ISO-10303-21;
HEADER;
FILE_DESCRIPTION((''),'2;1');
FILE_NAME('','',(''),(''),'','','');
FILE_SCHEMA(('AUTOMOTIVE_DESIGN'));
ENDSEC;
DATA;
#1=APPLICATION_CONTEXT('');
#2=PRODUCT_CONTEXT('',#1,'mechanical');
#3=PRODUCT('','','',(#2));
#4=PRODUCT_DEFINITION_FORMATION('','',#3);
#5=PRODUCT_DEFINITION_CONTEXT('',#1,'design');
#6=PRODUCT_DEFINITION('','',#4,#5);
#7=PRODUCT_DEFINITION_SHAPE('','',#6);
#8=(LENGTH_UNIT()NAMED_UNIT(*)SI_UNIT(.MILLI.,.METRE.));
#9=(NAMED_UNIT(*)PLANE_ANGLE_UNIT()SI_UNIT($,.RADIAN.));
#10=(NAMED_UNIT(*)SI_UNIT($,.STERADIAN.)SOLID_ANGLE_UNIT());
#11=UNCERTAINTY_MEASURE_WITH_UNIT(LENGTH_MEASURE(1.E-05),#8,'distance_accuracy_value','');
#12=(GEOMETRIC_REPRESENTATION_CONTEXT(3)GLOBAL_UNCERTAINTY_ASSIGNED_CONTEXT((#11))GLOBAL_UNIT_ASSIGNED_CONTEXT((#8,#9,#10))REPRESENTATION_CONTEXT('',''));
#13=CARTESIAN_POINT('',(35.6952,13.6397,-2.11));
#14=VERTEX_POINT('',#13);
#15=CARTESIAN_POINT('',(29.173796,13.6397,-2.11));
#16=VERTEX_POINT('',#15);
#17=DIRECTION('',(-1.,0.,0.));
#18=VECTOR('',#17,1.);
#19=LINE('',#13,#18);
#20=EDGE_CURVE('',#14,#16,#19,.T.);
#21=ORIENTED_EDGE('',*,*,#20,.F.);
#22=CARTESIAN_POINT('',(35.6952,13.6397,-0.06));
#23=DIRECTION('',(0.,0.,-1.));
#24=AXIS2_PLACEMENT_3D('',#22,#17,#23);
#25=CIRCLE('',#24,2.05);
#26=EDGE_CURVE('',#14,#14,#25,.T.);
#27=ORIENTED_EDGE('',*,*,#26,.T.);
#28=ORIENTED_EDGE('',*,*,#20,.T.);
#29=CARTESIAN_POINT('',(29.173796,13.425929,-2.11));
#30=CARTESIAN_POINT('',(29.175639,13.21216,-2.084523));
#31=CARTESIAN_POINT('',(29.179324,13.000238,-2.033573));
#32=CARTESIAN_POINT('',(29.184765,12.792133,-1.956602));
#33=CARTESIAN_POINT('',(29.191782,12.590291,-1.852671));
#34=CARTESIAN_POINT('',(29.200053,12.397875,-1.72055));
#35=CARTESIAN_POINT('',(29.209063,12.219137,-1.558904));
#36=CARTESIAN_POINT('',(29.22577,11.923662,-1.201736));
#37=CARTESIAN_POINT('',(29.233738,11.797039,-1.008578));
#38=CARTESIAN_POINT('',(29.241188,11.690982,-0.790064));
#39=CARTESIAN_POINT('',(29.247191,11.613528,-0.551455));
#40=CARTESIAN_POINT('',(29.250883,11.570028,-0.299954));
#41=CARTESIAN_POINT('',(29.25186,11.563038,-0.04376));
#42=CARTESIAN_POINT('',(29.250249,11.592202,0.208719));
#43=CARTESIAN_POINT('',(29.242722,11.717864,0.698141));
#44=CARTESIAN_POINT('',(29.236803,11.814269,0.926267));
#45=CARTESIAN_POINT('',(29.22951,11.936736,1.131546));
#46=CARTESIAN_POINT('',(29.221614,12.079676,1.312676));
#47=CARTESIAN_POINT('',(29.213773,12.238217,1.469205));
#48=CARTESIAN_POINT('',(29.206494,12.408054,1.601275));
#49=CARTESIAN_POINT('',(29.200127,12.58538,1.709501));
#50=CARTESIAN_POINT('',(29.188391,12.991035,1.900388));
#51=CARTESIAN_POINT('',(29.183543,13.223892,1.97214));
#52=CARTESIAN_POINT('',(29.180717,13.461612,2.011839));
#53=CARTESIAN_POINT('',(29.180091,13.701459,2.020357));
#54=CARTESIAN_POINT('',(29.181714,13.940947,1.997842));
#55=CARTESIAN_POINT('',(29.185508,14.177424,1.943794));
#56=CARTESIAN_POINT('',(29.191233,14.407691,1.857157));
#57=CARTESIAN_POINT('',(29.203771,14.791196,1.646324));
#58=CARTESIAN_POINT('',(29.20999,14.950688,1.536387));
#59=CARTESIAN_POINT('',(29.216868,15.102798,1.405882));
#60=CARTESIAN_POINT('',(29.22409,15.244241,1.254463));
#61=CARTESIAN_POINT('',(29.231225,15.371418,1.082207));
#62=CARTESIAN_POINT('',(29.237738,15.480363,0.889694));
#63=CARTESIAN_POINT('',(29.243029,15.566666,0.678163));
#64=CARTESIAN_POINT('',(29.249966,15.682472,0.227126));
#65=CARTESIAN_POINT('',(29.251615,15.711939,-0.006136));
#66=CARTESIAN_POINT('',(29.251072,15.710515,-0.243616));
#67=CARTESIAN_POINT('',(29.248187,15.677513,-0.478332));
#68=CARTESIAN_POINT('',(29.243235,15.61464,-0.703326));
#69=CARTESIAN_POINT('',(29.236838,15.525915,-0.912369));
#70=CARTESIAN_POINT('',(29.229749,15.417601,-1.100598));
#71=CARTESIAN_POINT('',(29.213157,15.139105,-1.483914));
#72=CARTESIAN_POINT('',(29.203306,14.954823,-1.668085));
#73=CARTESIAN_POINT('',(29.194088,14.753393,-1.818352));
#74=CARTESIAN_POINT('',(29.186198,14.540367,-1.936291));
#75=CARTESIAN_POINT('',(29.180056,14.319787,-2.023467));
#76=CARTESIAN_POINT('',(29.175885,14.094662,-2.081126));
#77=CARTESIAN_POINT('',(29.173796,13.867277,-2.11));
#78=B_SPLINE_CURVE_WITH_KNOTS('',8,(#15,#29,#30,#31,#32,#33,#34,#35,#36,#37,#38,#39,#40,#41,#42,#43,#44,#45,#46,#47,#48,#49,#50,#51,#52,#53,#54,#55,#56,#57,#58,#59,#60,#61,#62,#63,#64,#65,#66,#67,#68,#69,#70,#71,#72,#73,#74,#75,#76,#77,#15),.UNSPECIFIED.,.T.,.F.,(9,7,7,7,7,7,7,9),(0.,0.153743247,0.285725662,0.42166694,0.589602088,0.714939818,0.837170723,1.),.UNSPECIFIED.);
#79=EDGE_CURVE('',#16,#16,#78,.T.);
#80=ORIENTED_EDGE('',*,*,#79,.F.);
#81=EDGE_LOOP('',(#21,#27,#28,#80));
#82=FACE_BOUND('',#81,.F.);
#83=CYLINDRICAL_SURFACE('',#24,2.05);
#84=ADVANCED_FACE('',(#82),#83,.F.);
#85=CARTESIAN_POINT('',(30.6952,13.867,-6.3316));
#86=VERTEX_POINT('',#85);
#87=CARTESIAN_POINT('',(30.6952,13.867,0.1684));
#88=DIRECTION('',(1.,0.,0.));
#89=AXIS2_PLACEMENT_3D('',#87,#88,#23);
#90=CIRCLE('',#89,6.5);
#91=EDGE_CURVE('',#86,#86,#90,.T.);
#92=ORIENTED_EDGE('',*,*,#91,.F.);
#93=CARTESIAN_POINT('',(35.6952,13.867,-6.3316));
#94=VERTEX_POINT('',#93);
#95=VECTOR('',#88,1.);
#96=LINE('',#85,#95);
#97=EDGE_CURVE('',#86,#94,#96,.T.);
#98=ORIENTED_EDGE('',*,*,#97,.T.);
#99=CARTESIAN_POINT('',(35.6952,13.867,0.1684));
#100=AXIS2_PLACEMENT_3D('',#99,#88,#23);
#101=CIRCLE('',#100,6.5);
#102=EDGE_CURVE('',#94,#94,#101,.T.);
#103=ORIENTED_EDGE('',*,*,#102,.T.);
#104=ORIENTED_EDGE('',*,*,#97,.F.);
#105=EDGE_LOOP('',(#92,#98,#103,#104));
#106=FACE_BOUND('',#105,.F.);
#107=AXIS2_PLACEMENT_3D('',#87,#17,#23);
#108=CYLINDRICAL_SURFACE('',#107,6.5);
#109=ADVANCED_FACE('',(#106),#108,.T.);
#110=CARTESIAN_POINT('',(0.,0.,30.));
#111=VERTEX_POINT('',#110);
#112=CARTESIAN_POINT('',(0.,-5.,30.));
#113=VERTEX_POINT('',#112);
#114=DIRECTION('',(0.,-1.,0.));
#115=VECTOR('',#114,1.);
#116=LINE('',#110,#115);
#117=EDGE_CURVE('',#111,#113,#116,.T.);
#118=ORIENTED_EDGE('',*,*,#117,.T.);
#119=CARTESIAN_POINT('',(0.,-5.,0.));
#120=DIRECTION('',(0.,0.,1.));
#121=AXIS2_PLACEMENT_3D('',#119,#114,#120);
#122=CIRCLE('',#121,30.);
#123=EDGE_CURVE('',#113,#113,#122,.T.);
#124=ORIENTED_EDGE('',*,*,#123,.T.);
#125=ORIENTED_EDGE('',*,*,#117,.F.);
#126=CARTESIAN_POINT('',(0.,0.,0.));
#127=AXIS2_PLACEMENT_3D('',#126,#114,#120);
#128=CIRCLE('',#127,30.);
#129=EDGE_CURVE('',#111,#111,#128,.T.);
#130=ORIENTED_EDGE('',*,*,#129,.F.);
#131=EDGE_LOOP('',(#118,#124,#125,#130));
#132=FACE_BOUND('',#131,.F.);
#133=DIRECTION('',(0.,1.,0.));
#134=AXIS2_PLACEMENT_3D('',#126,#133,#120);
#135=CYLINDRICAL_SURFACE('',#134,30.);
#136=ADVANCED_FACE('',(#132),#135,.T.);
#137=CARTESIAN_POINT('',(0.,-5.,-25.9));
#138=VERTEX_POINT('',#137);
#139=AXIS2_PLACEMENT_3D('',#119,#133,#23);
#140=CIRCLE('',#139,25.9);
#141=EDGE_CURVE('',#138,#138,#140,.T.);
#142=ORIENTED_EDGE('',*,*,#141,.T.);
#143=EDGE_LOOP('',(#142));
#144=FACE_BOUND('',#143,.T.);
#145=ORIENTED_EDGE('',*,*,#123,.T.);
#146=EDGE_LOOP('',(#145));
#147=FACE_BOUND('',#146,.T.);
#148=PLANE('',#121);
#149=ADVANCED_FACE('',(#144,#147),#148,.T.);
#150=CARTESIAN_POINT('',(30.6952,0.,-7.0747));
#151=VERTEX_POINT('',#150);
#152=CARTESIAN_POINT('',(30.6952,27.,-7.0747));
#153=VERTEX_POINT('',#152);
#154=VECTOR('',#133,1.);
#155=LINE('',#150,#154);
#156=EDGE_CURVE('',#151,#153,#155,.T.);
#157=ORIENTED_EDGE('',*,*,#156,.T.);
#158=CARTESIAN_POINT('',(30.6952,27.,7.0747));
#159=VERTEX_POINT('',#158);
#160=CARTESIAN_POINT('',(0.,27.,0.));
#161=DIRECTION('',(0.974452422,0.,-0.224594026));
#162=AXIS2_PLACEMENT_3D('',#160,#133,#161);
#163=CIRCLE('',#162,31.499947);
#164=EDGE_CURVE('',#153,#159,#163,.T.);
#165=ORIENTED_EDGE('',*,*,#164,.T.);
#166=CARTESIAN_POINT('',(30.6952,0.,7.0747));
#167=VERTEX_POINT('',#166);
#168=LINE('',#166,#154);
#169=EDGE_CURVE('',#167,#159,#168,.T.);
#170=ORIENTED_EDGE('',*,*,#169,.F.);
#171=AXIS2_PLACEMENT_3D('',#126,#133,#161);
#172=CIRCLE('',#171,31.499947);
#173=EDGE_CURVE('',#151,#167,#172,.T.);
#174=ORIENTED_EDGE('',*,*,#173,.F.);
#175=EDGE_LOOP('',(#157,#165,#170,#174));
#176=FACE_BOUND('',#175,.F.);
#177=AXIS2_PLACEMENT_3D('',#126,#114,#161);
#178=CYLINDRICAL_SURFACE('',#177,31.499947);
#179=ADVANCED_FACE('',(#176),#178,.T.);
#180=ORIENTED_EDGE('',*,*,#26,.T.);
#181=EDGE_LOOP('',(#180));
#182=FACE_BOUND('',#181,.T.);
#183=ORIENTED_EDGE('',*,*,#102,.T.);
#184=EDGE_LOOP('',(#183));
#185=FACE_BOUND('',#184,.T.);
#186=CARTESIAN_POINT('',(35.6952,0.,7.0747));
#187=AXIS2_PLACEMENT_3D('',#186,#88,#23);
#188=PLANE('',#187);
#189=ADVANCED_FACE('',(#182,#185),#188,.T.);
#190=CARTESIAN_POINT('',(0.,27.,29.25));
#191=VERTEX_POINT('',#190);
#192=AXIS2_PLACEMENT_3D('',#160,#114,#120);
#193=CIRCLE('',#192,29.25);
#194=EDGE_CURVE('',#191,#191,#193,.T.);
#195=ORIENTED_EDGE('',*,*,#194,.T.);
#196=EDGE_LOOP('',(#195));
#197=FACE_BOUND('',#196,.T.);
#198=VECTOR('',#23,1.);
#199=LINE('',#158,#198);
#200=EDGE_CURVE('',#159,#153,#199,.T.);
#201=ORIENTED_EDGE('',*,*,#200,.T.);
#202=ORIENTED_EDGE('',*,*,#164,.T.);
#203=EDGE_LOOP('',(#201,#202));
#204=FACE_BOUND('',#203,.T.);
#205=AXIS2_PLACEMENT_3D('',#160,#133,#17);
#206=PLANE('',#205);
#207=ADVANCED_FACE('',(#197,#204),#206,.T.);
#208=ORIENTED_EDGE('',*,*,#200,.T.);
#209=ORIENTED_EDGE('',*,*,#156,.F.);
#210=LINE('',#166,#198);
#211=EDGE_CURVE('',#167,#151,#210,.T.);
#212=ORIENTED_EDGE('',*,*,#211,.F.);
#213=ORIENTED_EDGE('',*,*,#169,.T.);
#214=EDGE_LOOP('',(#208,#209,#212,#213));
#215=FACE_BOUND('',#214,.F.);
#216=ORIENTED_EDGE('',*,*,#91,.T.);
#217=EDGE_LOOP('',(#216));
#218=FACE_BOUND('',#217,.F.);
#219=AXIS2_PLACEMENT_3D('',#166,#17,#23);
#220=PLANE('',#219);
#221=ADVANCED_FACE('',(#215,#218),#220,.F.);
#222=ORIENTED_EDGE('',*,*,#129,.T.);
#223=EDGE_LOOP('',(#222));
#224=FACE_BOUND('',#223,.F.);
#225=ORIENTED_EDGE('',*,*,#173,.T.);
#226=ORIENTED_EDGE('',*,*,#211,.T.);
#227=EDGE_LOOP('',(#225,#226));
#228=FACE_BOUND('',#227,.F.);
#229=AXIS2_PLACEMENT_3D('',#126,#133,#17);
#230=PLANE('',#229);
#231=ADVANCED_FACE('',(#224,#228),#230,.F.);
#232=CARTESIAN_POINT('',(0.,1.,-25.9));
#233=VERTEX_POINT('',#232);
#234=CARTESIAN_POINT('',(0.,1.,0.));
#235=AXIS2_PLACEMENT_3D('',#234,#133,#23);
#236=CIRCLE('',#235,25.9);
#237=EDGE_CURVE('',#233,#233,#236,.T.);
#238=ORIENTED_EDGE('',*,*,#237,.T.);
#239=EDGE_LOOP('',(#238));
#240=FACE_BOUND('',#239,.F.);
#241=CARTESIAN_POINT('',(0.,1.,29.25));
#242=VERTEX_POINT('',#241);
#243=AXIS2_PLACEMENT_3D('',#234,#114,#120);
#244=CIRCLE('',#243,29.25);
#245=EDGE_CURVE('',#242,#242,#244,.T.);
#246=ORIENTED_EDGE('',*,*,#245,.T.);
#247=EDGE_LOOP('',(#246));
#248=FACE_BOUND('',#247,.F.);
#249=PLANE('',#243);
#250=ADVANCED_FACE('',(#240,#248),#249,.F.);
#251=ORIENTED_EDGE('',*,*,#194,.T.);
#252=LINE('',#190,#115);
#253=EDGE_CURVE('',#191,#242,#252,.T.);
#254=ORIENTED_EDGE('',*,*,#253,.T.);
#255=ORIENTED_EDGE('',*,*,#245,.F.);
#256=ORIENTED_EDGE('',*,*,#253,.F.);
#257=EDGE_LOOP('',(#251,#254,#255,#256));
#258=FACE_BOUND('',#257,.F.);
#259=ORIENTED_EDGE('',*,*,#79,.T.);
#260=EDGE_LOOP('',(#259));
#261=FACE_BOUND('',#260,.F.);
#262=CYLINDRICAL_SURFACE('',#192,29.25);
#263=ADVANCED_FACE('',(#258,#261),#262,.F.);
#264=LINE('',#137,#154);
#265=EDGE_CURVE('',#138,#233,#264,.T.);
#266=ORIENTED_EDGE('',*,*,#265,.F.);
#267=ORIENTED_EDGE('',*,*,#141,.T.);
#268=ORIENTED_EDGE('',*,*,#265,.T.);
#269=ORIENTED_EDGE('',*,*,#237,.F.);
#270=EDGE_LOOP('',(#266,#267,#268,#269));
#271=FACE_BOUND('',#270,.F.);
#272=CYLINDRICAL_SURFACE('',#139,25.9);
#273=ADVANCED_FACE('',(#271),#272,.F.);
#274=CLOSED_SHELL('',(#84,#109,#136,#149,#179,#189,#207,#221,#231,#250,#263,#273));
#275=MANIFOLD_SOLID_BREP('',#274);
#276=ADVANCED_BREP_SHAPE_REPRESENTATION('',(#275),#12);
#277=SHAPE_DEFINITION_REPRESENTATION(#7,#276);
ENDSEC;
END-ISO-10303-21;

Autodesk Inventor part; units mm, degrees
ref_plane "YZ Plane" through (0, 0, 0) normal (1, 0, 0) x (0, 1, 0)
ref_plane "XZ Plane" through (0, 0, 0) normal (0, 1, 0) x (-1, 0, 0)
ref_plane "XY Plane" through (0, 0, 0) normal (0, 0, 1) x (1, 0, 0)
sketch "Sketch1" plane through (0, 0, 0) normal (0, 0, 1) x (1, 0, 0)
  point P0 (0, 0)
sketch "Sketch2" plane through (0, 0, 0) normal (0, 1, 0) x (-1, 0, 0)
  arc A0 (-30.6952, -7.0747) -> (-30.6952, 7.0747) centre (0, 0) ccw
  line L0 (-30.6952, 7.0747) -> (-30.6952, -7.0747)
  dimension "d0" = 63
extrude "Extrusion1" add sketch "Sketch2" along normal blind 27
sketch "Sketch3" plane through (0, 27, 0) normal (0, 1, 0) x (0, 0, 1)
  point P0 (0, 0)
  point P1 (0, 0)
hole "Hole1" at (0, 27, 0) direction (0, -1, 0) diameter 58.5 depth 26
sketch "Sketch4" plane through (0, 0, 0) normal (0, -1, 0) x (0, 0, 1)
  circle A0 centre (0, 0) radius 30
  dimension "d11" = 60
extrude "Extrusion2" add sketch "Sketch4" along normal blind 5
sketch "Sketch5" plane through (0, -5, 0) normal (0, -1, 0) x (1, 0, 0)
  point P0 (0, 0)
  point P1 (0, 0)
hole "Hole2" at (0, -5, 0) direction (0, 1, 0) diameter 51.8 depth 11
sketch "Sketch6" plane through (30.6952, 0, 7.0747) normal (1, 0, 0) x (0, 0, -1)
  circle A0 centre (6.9063, 13.867) radius 6.5
  point P0 (7.0747, 0)
  dimension "d23" = 13
extrude "Extrusion3" add sketch "Sketch6" along normal blind 5
sketch "Sketch7" plane through (35.6952, 13.867, 0.1684) normal (1, 0, 0) x (0, 0, -1)
  point P0 (0.1684, -13.867)
  point P1 (0.2284, -0.2272)
hole "Hole3" at (35.6952, 13.6397, -0.06) direction (-1, 0, 0) diameter 4.1 depth 10
properties part number "microscope_holder"
